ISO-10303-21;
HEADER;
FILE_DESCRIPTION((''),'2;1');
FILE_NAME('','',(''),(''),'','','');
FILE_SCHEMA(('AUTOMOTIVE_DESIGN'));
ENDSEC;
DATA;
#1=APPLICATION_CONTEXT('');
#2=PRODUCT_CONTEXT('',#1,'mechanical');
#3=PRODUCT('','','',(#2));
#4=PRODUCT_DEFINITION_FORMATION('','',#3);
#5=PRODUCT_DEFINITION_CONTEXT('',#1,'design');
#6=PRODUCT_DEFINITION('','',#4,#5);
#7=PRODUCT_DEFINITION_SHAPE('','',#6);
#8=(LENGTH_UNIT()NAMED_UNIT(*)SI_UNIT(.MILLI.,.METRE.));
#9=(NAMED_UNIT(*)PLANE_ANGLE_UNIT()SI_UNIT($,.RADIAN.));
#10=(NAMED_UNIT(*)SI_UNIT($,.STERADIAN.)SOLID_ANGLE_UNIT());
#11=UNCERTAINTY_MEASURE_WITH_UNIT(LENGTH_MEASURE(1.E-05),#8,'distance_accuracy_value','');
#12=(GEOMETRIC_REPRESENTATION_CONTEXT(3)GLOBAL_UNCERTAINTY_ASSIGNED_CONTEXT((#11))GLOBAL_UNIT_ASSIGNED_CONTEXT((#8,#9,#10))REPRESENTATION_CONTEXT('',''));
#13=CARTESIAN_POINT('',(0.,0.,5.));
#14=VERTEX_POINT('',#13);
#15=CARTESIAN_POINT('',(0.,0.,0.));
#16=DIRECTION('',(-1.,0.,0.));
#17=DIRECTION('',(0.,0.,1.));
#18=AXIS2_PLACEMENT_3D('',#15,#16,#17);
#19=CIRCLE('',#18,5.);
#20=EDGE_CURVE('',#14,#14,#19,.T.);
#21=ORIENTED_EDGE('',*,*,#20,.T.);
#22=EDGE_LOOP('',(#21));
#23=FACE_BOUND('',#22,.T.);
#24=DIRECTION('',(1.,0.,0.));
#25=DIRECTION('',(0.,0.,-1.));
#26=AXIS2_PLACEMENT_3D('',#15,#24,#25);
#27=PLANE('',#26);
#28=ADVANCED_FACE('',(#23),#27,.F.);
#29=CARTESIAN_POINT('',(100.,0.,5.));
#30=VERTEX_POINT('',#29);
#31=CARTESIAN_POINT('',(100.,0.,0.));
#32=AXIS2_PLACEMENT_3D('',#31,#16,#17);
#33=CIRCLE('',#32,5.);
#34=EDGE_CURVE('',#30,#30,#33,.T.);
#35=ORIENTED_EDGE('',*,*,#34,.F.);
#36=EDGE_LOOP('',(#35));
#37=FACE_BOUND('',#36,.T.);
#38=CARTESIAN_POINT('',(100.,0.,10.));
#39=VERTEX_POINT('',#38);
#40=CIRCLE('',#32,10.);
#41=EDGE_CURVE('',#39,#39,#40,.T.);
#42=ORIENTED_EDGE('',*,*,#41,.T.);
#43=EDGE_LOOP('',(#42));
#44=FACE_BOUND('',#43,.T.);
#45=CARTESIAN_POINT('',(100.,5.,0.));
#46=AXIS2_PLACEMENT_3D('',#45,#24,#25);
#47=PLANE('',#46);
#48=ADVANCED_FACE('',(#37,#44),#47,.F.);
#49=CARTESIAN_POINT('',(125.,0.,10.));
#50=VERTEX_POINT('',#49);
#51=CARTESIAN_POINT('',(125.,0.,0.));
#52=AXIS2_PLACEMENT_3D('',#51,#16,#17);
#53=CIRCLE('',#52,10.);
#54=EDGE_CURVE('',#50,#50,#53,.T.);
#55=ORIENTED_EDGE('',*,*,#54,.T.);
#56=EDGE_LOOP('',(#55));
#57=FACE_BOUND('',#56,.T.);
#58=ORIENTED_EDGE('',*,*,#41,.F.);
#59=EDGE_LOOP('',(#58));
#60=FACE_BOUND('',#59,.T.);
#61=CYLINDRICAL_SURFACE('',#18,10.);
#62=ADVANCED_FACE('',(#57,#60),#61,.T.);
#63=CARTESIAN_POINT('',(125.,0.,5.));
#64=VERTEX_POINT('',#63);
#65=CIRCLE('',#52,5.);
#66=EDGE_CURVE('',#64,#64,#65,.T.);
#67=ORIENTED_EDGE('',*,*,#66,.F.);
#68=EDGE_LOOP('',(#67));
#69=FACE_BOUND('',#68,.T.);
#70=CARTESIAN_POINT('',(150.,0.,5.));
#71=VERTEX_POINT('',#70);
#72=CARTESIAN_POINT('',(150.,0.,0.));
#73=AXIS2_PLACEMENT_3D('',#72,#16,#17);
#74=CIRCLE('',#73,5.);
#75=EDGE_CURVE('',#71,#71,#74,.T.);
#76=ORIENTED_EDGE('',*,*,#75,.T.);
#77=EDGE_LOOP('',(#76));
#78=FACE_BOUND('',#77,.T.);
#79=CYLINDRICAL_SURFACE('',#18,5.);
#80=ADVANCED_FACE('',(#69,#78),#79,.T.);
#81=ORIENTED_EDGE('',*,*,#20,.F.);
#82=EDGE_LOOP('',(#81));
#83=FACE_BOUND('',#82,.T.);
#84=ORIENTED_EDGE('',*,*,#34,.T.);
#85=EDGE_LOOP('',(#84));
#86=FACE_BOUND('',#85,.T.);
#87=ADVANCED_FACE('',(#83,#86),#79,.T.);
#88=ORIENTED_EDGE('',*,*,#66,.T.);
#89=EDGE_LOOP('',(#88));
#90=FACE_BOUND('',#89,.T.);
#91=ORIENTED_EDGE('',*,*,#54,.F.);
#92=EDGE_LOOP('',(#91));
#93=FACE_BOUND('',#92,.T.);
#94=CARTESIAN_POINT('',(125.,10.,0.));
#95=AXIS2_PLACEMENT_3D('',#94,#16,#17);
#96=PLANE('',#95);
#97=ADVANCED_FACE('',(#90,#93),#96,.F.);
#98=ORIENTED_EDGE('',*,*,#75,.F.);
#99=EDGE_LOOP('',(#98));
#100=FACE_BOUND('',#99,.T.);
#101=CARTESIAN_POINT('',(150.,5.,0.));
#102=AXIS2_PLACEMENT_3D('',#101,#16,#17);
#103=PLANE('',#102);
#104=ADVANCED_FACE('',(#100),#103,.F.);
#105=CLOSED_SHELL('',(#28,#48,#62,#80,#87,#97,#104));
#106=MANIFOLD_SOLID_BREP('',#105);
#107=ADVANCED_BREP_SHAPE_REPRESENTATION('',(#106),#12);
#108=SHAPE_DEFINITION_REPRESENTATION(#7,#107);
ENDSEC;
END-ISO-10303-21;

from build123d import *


with BuildPart() as part:
    # Szkic1 → Obrót1 (revolve)
    with BuildSketch(Plane.XY, mode=Mode.PRIVATE) as obr_t1_sk:
        Polygon((0, 0), (0, 5), (100, 5), (100, 10), (125, 10), (125, 5), (150, 5), (150, 0), align=None)
    revolve(obr_t1_sk.sketch.rotate(Axis((0, 0, 0), (1, 0, 0)), 90), axis=Axis((0, 0, 0), (1, 0, 0)))


solid = part.part
